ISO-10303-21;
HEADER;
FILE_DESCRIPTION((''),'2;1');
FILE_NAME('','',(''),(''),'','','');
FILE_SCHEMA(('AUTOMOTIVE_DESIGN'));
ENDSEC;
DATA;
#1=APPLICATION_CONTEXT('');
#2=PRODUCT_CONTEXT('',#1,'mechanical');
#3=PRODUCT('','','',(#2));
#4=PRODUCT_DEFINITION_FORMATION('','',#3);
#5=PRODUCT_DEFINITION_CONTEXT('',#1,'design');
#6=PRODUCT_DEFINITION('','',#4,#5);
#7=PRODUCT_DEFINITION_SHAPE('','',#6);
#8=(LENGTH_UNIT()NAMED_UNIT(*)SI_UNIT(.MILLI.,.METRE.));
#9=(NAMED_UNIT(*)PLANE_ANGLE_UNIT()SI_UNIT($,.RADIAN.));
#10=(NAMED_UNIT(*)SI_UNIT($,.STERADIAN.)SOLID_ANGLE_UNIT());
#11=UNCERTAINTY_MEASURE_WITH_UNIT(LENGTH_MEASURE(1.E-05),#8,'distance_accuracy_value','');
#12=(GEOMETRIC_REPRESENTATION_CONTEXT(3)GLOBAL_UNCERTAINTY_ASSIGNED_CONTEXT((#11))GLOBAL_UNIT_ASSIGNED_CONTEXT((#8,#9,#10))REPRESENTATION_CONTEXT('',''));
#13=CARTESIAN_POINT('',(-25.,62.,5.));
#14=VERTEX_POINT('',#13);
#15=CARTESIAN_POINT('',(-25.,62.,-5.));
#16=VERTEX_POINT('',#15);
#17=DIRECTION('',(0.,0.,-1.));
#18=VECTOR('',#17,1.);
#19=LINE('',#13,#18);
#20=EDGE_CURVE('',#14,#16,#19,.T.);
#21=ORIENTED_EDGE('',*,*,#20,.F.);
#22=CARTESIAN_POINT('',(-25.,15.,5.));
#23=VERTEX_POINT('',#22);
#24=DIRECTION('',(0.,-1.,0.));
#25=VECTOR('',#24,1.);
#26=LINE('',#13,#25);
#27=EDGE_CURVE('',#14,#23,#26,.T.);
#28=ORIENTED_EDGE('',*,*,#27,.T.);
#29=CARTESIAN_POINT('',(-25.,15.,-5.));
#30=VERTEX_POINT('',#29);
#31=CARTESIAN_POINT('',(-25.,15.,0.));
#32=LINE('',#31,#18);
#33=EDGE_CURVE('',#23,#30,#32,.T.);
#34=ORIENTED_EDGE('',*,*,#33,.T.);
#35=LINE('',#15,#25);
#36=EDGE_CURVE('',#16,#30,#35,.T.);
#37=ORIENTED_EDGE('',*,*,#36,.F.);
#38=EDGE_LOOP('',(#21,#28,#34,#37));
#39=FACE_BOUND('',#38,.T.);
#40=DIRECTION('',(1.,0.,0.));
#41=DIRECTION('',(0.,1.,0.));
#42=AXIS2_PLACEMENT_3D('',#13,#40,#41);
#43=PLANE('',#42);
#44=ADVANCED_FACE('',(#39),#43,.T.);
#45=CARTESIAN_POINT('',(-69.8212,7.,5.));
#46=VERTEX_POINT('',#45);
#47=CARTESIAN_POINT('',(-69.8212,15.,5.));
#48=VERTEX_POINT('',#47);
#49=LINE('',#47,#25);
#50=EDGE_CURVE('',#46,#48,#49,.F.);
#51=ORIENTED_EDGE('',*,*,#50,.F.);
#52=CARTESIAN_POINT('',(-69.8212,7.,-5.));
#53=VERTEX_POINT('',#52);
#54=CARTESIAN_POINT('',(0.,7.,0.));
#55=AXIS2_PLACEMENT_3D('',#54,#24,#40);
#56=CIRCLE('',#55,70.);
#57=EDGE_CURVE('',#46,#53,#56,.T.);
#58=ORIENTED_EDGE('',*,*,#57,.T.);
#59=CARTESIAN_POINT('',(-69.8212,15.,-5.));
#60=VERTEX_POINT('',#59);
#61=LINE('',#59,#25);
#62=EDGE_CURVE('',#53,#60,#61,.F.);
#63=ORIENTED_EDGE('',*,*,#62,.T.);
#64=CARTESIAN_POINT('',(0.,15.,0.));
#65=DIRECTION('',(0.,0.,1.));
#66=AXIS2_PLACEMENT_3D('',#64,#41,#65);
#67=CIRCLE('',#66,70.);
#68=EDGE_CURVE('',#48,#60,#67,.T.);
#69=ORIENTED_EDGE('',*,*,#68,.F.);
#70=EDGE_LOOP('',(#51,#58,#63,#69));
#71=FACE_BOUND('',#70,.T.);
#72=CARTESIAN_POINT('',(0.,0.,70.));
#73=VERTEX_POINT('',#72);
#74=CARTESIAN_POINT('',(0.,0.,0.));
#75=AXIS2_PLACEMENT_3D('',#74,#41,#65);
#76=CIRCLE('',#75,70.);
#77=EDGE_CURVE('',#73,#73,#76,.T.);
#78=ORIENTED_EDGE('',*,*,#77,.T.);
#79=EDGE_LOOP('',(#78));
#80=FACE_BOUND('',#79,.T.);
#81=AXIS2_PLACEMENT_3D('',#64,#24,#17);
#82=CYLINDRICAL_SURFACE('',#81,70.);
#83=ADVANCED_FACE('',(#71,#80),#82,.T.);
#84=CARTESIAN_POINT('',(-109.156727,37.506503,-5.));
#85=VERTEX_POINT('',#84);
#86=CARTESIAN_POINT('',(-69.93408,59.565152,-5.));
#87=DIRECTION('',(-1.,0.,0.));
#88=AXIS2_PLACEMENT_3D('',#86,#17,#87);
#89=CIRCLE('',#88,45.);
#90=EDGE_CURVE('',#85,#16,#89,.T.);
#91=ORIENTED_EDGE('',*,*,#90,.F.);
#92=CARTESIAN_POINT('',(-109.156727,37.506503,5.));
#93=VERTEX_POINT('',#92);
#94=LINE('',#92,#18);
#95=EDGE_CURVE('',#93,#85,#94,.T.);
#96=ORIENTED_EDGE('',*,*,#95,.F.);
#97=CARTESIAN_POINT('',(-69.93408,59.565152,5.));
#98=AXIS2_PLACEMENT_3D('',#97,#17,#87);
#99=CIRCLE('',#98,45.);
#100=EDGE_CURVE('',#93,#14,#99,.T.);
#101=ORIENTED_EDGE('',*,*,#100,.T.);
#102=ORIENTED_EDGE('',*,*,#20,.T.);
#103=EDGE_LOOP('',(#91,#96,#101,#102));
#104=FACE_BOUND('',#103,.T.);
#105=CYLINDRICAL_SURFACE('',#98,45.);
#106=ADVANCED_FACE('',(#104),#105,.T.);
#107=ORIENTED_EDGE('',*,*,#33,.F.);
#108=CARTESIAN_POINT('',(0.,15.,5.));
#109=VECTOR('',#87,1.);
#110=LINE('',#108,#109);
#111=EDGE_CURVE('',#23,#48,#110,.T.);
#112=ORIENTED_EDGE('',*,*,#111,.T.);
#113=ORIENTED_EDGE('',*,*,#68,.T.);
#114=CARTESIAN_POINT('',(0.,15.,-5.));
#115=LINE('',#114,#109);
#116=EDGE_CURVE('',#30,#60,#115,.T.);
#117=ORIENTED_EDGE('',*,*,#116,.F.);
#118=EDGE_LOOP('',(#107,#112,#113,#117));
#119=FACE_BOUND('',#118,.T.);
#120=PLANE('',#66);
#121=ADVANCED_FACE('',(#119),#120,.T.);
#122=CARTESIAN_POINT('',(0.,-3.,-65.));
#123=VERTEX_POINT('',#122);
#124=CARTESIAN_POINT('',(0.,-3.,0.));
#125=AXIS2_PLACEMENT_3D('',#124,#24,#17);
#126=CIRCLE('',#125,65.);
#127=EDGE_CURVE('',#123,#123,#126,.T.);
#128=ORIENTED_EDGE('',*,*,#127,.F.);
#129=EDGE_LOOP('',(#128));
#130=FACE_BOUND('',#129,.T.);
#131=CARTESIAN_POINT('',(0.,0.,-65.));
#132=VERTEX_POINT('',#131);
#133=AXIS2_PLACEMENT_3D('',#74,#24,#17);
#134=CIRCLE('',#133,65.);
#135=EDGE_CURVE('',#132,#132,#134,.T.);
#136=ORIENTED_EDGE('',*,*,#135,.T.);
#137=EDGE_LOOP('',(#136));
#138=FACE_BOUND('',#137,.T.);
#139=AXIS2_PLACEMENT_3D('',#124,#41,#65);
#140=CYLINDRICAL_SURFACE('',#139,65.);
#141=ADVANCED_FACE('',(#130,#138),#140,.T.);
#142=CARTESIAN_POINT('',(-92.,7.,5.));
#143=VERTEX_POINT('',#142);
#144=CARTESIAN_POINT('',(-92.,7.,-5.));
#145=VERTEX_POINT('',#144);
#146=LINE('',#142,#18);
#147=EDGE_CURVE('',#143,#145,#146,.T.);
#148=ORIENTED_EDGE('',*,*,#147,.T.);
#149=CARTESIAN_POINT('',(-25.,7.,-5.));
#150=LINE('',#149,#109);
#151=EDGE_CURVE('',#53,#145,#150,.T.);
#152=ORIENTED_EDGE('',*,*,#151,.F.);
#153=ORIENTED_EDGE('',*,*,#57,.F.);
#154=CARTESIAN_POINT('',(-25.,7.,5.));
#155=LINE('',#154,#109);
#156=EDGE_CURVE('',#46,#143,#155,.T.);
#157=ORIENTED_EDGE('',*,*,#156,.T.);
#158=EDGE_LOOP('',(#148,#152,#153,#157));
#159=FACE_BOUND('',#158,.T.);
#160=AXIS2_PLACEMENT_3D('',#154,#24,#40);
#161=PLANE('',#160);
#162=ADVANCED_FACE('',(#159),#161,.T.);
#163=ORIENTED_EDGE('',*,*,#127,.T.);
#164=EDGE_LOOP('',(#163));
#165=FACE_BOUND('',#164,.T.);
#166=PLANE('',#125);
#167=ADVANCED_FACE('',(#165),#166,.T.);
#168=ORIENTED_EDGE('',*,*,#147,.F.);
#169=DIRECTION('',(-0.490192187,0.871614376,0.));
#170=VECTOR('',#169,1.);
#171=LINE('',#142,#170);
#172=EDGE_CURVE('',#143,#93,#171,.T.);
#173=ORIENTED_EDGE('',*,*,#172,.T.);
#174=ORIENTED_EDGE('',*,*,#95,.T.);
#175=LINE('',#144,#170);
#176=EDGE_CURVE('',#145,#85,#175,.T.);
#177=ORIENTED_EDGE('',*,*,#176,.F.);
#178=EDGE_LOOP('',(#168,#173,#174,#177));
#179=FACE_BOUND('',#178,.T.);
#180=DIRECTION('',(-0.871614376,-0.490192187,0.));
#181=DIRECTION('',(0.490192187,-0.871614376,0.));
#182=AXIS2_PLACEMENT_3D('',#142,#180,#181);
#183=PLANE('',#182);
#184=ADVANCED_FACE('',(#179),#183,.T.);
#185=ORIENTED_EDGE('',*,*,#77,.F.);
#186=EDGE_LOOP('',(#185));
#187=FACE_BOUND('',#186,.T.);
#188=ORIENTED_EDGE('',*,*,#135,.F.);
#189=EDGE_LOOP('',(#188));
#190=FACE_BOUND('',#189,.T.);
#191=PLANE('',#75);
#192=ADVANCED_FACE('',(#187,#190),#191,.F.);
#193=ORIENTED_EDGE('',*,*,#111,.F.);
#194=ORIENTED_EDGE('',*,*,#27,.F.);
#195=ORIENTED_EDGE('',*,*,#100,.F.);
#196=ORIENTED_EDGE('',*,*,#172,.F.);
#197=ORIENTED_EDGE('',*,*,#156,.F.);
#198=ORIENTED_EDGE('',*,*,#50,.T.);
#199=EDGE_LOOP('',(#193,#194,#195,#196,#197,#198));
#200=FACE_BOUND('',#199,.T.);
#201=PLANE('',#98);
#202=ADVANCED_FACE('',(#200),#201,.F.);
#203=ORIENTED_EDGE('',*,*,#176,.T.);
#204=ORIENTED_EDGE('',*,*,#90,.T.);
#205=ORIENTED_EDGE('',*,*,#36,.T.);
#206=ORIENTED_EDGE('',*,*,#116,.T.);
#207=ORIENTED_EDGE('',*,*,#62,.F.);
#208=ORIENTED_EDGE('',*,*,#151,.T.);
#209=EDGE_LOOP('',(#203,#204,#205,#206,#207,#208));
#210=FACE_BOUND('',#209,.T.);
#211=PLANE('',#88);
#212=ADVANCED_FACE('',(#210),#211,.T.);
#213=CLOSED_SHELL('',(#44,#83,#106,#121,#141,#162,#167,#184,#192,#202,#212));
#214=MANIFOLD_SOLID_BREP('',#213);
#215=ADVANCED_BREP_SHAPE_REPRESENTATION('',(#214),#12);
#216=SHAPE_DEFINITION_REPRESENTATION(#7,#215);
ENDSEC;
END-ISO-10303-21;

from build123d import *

# Parameters (mm, degrees)
SKETCH1_R           = 70
BOSS_EXTRUDE2_DEPTH = 15
SKETCH2_R           = 65
BOSS_EXTRUDE3_DEPTH = 3
BOSS_EXTRUDE4_DEPTH = 5


with BuildPart() as part:
    # Sketch1 → Boss-Extrude2 (new body)
    with BuildSketch(Plane(origin=(0, 0, 0), x_dir=(1, 0, 0), z_dir=(0, 1, 0))):
        with Locations(Location((0, 0, 0), (0, 0, 270))):
            Circle(SKETCH1_R)
    extrude(amount=BOSS_EXTRUDE2_DEPTH)

    # Sketch2 → Boss-Extrude3 (add)
    with BuildSketch(Plane.XZ):
        with Locations(Location((0, 0, 0), (0, 0, 270))):
            Circle(SKETCH2_R)
    extrude(amount=BOSS_EXTRUDE3_DEPTH)

    # Sketch3 → Boss-Extrude4 (add, symmetric)
    with BuildSketch(Plane.XY):
        with BuildLine():
            Line((-25, 62), (-25, 7))
            Line((-25, 7), (-92, 7))
            Line((-92, 7), (-109.156726544, 37.506503148))
            ThreePointArc((-109.156726544, 37.506503148), (-82.509371405, 102.772350464), (-25, 62))
        make_face()
    extrude(amount=BOSS_EXTRUDE4_DEPTH, both=True)


solid = part.part
